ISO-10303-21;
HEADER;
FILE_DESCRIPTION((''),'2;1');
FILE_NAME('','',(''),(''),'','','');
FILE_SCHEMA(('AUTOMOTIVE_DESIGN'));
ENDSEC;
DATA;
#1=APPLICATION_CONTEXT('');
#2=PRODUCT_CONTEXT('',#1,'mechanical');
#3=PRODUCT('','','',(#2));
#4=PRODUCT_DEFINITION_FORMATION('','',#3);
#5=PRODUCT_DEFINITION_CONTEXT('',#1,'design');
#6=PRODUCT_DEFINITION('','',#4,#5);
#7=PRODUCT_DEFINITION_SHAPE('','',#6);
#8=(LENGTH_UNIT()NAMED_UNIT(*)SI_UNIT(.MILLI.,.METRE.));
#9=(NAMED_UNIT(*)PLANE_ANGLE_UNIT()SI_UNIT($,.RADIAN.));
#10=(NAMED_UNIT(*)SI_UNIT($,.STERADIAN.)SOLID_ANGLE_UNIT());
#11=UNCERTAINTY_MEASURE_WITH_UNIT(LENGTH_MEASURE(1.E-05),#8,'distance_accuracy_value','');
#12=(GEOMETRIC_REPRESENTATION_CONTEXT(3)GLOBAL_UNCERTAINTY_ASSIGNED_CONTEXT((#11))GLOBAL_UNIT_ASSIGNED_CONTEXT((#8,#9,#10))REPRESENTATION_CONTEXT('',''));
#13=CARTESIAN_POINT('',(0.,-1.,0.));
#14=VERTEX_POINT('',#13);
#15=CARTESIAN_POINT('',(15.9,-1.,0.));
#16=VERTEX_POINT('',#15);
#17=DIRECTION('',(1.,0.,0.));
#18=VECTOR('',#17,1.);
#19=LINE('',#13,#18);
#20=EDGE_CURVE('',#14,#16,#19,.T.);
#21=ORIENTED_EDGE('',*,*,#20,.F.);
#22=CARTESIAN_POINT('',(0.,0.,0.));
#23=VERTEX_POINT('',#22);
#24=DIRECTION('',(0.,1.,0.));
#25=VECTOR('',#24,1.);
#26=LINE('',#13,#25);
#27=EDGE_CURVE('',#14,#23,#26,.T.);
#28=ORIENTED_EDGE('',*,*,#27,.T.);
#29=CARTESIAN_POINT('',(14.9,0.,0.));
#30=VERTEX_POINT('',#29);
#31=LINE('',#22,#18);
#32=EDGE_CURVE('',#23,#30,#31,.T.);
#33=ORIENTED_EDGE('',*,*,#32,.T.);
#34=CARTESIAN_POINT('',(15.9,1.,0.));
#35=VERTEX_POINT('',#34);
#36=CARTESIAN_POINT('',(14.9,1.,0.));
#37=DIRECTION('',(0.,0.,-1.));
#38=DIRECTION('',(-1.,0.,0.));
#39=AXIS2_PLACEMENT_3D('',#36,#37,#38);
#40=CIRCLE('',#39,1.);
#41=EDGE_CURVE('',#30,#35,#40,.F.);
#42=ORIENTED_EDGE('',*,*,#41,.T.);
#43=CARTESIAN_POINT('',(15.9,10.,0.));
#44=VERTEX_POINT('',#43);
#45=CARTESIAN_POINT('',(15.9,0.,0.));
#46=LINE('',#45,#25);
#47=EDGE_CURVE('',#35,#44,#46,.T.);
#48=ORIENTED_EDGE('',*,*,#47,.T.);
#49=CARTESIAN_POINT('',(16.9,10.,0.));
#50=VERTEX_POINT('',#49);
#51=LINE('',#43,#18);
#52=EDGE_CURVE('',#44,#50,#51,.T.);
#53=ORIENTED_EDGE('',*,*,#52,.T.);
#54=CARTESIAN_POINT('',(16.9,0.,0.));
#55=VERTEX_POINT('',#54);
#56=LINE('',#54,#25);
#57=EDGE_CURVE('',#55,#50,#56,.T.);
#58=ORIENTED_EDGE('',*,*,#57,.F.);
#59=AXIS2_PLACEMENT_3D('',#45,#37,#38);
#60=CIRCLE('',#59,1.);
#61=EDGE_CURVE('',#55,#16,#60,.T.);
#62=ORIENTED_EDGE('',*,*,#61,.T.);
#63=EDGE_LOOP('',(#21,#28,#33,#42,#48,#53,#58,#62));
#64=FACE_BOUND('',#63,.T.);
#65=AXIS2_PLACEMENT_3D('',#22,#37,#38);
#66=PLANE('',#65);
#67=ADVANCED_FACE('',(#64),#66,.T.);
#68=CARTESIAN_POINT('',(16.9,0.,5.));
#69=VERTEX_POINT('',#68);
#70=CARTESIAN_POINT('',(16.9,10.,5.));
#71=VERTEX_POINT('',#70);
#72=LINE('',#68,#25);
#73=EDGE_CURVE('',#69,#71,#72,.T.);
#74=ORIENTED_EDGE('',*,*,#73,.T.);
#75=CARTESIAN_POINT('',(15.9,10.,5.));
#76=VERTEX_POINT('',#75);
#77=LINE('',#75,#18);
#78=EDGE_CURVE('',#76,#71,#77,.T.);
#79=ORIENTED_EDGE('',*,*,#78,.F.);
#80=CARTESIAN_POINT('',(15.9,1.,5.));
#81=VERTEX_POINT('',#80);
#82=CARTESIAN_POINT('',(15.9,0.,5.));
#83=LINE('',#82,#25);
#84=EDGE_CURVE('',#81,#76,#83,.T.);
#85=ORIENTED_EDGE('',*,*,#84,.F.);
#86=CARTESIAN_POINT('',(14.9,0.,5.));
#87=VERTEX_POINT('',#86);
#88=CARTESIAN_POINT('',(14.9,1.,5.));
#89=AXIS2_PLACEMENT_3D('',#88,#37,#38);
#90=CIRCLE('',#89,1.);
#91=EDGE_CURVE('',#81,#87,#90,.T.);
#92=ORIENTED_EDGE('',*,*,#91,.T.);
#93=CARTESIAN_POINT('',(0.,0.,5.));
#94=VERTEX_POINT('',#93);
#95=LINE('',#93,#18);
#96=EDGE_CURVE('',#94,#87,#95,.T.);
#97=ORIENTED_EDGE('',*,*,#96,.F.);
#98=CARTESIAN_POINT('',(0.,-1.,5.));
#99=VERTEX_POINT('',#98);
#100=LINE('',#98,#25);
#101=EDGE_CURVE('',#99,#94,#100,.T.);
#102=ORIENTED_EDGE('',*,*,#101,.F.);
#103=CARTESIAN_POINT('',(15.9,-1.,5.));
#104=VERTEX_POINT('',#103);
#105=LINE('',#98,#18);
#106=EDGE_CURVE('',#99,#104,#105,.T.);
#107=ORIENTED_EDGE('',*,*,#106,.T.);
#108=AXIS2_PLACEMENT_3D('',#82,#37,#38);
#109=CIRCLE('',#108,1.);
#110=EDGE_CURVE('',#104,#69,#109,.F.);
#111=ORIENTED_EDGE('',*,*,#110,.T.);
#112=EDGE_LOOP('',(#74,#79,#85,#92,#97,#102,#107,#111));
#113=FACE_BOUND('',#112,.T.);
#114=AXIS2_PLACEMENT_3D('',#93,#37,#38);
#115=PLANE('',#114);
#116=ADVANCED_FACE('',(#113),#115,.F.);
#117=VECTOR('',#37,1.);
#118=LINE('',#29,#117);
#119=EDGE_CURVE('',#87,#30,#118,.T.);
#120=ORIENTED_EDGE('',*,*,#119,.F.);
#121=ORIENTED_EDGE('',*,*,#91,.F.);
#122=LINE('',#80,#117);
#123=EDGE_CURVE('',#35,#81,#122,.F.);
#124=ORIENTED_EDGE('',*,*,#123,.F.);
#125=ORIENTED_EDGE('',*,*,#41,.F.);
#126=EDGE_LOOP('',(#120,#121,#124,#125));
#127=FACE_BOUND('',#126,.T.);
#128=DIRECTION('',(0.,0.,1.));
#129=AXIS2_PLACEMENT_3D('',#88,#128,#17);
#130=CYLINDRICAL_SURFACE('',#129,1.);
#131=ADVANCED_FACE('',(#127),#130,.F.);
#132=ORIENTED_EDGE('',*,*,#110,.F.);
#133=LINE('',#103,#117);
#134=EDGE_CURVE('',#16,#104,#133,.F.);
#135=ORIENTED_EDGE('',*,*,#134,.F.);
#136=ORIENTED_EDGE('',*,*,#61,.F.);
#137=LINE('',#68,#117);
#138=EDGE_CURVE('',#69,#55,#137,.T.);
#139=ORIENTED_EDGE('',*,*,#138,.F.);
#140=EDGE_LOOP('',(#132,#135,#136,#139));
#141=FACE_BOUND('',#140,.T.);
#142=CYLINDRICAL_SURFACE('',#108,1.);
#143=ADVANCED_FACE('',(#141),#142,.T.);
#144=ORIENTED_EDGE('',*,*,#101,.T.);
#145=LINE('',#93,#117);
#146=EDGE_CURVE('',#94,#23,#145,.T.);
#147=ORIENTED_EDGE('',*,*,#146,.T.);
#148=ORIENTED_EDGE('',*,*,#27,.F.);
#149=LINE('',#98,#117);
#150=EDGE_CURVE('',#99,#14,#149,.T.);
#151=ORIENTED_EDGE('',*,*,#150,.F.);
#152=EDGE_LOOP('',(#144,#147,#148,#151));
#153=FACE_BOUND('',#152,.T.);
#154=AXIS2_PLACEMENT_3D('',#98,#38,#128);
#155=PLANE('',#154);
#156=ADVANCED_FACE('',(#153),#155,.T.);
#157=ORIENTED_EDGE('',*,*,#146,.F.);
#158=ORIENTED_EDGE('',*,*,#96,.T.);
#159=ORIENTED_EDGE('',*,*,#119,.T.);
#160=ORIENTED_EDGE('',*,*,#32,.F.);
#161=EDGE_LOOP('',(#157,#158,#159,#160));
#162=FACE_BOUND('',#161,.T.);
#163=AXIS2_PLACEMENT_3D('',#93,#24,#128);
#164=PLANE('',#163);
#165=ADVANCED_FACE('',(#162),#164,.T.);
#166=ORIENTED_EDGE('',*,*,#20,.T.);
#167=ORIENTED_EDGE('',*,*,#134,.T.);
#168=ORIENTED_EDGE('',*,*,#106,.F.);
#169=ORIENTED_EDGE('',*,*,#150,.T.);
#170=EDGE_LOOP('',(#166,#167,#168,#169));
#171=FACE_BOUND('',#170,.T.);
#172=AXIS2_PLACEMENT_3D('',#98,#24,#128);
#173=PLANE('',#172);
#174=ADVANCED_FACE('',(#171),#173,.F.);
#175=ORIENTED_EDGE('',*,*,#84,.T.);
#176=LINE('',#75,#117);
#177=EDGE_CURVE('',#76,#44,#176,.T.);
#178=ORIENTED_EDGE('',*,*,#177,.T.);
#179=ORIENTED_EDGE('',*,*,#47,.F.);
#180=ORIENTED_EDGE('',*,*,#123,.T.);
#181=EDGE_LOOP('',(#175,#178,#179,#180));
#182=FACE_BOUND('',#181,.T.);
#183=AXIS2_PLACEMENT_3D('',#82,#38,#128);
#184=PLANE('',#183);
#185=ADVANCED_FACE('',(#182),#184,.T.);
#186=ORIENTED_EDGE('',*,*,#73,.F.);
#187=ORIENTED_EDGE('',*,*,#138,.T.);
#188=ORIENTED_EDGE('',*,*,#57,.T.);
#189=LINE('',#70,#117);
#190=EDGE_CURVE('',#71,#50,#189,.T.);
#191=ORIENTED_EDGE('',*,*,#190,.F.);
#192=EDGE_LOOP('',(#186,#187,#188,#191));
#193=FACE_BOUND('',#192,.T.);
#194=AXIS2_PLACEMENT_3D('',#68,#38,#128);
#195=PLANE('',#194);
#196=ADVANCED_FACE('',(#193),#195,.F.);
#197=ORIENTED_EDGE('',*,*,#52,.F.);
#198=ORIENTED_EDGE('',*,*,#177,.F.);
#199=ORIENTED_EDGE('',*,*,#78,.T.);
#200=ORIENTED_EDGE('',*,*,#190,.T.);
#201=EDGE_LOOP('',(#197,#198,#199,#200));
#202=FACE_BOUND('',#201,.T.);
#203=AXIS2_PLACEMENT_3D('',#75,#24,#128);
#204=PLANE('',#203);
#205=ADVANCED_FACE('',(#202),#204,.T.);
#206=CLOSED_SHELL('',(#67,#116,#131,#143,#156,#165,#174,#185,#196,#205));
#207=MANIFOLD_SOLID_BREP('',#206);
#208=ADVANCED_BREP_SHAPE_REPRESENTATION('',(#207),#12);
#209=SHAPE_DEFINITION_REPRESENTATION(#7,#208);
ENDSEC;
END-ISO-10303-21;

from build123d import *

# Parameters (mm, degrees)
EXTRUDE_THIN1_DEPTH = 5
FILLET1_R           = 1


with BuildPart() as part:
    # Sketch1 → Extrude-Thin1 (new body)
    with BuildSketch(Plane.XY):
        Polygon((0, 0), (15.9, 0), (15.9, 10), (16.9, 10), (16.9, -1), (0, -1), align=None)
    extrude(amount=EXTRUDE_THIN1_DEPTH)

    # Fillet1
    fillet1_edges = [part.edges().sort_by_distance(p)[0] for p in [
        (16.9, -1, 2.5),
        (15.9, 0, 2.5),
    ]]
    fillet(fillet1_edges, radius=FILLET1_R)


solid = part.part
